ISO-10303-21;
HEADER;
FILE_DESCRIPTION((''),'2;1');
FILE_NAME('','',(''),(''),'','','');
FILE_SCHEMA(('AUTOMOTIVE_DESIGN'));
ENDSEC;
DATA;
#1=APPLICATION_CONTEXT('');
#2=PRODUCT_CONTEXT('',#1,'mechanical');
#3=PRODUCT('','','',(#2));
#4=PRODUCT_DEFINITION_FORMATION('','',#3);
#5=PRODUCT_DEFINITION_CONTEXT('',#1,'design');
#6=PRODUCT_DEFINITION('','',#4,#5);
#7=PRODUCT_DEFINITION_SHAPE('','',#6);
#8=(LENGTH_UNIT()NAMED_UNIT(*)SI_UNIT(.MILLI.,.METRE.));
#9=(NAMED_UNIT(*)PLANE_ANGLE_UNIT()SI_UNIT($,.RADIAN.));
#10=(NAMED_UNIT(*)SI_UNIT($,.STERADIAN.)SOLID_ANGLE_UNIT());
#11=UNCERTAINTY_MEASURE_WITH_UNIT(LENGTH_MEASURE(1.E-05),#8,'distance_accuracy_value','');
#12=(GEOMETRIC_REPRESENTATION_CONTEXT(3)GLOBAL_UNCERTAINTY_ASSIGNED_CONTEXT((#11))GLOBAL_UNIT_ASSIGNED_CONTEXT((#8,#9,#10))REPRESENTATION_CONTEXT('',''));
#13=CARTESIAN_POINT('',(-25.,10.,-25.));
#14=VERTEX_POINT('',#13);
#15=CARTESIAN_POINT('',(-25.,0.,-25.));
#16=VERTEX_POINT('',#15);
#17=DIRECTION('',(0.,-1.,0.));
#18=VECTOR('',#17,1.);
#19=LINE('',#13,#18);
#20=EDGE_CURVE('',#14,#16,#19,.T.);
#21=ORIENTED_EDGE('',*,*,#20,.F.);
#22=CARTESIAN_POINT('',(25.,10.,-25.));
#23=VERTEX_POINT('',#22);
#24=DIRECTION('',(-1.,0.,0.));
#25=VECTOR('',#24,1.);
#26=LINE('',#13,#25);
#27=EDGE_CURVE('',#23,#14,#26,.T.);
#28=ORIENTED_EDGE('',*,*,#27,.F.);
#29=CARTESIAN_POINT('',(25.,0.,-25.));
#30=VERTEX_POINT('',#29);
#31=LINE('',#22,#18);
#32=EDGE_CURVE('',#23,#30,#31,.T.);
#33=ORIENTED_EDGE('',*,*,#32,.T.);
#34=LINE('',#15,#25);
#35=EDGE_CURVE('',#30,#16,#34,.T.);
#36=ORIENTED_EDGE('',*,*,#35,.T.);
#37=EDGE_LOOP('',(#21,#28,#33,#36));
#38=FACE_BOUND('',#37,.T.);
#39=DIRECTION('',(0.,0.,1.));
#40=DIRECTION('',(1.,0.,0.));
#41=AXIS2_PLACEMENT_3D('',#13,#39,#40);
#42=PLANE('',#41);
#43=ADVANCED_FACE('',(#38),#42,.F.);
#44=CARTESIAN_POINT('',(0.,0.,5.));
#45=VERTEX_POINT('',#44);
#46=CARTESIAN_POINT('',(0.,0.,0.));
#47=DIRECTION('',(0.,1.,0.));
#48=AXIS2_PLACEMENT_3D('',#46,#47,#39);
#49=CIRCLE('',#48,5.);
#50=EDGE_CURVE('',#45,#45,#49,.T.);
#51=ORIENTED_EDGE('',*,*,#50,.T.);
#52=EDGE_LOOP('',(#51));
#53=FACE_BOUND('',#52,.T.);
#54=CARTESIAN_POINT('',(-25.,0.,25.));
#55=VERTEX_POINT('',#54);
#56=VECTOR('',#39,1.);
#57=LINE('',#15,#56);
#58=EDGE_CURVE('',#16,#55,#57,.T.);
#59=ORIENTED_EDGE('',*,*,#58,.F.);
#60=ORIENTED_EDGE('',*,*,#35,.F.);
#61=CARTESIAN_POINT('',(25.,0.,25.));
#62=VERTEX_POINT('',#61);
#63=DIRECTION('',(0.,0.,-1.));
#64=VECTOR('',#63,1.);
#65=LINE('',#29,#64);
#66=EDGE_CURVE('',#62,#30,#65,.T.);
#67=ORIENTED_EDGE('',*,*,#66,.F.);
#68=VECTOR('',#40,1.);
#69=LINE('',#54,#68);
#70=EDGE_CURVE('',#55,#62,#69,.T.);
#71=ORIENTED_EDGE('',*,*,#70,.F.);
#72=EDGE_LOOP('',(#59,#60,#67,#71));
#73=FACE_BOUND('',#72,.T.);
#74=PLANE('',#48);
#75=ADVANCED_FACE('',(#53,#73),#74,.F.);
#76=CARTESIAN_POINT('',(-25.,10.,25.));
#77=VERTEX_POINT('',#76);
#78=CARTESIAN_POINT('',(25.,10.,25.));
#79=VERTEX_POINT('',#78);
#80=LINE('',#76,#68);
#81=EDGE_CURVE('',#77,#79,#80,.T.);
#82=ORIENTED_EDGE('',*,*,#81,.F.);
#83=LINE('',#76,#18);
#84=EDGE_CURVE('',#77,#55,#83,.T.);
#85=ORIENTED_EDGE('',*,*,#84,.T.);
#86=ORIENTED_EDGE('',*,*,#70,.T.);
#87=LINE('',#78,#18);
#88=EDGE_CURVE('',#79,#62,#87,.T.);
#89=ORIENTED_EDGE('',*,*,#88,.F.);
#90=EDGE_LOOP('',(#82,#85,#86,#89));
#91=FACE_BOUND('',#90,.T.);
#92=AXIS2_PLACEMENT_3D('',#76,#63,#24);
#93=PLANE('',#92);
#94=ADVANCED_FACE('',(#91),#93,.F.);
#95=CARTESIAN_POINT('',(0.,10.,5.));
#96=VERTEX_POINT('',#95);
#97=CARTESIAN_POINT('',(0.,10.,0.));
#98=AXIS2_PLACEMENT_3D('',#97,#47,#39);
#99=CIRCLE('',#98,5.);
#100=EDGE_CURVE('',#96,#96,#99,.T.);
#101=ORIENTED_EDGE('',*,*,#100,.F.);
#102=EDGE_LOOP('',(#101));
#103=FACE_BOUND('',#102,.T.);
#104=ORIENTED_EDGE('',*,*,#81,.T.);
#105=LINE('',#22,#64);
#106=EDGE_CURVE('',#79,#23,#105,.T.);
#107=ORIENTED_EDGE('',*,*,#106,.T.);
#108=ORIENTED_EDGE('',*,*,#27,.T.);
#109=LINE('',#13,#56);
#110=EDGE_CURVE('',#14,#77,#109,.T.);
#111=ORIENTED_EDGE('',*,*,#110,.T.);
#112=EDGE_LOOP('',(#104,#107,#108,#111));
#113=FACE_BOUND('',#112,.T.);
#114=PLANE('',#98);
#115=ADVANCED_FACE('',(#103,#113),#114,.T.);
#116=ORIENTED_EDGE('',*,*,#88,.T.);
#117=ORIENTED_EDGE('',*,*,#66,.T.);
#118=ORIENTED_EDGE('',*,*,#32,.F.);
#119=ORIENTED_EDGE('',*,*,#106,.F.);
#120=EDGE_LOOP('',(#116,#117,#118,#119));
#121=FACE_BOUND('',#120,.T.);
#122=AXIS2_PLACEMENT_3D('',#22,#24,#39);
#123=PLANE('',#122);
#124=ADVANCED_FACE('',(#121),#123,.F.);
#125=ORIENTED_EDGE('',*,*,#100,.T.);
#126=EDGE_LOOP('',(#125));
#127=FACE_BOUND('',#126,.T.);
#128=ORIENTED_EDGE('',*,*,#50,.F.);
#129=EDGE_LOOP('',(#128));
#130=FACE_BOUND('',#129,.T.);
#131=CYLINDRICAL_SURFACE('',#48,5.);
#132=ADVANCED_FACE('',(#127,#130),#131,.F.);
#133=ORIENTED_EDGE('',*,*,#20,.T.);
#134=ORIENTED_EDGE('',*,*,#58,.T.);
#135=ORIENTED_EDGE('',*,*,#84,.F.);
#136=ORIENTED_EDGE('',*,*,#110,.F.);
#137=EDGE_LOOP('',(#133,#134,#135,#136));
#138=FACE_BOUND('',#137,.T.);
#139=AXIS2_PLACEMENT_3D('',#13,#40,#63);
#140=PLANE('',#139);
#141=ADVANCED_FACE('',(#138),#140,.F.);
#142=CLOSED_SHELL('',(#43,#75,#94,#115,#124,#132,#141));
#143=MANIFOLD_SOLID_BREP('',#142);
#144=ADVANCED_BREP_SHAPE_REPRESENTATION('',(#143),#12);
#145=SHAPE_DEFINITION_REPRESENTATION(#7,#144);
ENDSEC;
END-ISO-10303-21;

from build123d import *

# Parameters (mm, degrees)
SKETCH_1_W          = 50
SKETCH_1_H          = 50
EXTRUDE_2_DEPTH     = 10
SKETCH_3_R          = 5
CUT_EXTRUDE_2_DEPTH = 37.742346142


with BuildPart() as part:
    # Эскиз1 → Бобышка-Вытянуть2 (new body)
    with BuildSketch(Plane(origin=(0, 0, 0), x_dir=(1, 0, 0), z_dir=(0, 1, 0))):
        Rectangle(SKETCH_1_W, SKETCH_1_H)
    extrude(amount=EXTRUDE_2_DEPTH)

    # Эскиз3 → Вырез-Вытянуть2 (cut, through all)
    with BuildSketch(Plane(origin=(0, 10, 0), x_dir=(1, 0, 0), z_dir=(0, 1, 0))):
        with Locations(Location((0, 0, 0), (0, 0, 270))):
            Circle(SKETCH_3_R)
    extrude(amount=-CUT_EXTRUDE_2_DEPTH, mode=Mode.SUBTRACT)


solid = part.part
